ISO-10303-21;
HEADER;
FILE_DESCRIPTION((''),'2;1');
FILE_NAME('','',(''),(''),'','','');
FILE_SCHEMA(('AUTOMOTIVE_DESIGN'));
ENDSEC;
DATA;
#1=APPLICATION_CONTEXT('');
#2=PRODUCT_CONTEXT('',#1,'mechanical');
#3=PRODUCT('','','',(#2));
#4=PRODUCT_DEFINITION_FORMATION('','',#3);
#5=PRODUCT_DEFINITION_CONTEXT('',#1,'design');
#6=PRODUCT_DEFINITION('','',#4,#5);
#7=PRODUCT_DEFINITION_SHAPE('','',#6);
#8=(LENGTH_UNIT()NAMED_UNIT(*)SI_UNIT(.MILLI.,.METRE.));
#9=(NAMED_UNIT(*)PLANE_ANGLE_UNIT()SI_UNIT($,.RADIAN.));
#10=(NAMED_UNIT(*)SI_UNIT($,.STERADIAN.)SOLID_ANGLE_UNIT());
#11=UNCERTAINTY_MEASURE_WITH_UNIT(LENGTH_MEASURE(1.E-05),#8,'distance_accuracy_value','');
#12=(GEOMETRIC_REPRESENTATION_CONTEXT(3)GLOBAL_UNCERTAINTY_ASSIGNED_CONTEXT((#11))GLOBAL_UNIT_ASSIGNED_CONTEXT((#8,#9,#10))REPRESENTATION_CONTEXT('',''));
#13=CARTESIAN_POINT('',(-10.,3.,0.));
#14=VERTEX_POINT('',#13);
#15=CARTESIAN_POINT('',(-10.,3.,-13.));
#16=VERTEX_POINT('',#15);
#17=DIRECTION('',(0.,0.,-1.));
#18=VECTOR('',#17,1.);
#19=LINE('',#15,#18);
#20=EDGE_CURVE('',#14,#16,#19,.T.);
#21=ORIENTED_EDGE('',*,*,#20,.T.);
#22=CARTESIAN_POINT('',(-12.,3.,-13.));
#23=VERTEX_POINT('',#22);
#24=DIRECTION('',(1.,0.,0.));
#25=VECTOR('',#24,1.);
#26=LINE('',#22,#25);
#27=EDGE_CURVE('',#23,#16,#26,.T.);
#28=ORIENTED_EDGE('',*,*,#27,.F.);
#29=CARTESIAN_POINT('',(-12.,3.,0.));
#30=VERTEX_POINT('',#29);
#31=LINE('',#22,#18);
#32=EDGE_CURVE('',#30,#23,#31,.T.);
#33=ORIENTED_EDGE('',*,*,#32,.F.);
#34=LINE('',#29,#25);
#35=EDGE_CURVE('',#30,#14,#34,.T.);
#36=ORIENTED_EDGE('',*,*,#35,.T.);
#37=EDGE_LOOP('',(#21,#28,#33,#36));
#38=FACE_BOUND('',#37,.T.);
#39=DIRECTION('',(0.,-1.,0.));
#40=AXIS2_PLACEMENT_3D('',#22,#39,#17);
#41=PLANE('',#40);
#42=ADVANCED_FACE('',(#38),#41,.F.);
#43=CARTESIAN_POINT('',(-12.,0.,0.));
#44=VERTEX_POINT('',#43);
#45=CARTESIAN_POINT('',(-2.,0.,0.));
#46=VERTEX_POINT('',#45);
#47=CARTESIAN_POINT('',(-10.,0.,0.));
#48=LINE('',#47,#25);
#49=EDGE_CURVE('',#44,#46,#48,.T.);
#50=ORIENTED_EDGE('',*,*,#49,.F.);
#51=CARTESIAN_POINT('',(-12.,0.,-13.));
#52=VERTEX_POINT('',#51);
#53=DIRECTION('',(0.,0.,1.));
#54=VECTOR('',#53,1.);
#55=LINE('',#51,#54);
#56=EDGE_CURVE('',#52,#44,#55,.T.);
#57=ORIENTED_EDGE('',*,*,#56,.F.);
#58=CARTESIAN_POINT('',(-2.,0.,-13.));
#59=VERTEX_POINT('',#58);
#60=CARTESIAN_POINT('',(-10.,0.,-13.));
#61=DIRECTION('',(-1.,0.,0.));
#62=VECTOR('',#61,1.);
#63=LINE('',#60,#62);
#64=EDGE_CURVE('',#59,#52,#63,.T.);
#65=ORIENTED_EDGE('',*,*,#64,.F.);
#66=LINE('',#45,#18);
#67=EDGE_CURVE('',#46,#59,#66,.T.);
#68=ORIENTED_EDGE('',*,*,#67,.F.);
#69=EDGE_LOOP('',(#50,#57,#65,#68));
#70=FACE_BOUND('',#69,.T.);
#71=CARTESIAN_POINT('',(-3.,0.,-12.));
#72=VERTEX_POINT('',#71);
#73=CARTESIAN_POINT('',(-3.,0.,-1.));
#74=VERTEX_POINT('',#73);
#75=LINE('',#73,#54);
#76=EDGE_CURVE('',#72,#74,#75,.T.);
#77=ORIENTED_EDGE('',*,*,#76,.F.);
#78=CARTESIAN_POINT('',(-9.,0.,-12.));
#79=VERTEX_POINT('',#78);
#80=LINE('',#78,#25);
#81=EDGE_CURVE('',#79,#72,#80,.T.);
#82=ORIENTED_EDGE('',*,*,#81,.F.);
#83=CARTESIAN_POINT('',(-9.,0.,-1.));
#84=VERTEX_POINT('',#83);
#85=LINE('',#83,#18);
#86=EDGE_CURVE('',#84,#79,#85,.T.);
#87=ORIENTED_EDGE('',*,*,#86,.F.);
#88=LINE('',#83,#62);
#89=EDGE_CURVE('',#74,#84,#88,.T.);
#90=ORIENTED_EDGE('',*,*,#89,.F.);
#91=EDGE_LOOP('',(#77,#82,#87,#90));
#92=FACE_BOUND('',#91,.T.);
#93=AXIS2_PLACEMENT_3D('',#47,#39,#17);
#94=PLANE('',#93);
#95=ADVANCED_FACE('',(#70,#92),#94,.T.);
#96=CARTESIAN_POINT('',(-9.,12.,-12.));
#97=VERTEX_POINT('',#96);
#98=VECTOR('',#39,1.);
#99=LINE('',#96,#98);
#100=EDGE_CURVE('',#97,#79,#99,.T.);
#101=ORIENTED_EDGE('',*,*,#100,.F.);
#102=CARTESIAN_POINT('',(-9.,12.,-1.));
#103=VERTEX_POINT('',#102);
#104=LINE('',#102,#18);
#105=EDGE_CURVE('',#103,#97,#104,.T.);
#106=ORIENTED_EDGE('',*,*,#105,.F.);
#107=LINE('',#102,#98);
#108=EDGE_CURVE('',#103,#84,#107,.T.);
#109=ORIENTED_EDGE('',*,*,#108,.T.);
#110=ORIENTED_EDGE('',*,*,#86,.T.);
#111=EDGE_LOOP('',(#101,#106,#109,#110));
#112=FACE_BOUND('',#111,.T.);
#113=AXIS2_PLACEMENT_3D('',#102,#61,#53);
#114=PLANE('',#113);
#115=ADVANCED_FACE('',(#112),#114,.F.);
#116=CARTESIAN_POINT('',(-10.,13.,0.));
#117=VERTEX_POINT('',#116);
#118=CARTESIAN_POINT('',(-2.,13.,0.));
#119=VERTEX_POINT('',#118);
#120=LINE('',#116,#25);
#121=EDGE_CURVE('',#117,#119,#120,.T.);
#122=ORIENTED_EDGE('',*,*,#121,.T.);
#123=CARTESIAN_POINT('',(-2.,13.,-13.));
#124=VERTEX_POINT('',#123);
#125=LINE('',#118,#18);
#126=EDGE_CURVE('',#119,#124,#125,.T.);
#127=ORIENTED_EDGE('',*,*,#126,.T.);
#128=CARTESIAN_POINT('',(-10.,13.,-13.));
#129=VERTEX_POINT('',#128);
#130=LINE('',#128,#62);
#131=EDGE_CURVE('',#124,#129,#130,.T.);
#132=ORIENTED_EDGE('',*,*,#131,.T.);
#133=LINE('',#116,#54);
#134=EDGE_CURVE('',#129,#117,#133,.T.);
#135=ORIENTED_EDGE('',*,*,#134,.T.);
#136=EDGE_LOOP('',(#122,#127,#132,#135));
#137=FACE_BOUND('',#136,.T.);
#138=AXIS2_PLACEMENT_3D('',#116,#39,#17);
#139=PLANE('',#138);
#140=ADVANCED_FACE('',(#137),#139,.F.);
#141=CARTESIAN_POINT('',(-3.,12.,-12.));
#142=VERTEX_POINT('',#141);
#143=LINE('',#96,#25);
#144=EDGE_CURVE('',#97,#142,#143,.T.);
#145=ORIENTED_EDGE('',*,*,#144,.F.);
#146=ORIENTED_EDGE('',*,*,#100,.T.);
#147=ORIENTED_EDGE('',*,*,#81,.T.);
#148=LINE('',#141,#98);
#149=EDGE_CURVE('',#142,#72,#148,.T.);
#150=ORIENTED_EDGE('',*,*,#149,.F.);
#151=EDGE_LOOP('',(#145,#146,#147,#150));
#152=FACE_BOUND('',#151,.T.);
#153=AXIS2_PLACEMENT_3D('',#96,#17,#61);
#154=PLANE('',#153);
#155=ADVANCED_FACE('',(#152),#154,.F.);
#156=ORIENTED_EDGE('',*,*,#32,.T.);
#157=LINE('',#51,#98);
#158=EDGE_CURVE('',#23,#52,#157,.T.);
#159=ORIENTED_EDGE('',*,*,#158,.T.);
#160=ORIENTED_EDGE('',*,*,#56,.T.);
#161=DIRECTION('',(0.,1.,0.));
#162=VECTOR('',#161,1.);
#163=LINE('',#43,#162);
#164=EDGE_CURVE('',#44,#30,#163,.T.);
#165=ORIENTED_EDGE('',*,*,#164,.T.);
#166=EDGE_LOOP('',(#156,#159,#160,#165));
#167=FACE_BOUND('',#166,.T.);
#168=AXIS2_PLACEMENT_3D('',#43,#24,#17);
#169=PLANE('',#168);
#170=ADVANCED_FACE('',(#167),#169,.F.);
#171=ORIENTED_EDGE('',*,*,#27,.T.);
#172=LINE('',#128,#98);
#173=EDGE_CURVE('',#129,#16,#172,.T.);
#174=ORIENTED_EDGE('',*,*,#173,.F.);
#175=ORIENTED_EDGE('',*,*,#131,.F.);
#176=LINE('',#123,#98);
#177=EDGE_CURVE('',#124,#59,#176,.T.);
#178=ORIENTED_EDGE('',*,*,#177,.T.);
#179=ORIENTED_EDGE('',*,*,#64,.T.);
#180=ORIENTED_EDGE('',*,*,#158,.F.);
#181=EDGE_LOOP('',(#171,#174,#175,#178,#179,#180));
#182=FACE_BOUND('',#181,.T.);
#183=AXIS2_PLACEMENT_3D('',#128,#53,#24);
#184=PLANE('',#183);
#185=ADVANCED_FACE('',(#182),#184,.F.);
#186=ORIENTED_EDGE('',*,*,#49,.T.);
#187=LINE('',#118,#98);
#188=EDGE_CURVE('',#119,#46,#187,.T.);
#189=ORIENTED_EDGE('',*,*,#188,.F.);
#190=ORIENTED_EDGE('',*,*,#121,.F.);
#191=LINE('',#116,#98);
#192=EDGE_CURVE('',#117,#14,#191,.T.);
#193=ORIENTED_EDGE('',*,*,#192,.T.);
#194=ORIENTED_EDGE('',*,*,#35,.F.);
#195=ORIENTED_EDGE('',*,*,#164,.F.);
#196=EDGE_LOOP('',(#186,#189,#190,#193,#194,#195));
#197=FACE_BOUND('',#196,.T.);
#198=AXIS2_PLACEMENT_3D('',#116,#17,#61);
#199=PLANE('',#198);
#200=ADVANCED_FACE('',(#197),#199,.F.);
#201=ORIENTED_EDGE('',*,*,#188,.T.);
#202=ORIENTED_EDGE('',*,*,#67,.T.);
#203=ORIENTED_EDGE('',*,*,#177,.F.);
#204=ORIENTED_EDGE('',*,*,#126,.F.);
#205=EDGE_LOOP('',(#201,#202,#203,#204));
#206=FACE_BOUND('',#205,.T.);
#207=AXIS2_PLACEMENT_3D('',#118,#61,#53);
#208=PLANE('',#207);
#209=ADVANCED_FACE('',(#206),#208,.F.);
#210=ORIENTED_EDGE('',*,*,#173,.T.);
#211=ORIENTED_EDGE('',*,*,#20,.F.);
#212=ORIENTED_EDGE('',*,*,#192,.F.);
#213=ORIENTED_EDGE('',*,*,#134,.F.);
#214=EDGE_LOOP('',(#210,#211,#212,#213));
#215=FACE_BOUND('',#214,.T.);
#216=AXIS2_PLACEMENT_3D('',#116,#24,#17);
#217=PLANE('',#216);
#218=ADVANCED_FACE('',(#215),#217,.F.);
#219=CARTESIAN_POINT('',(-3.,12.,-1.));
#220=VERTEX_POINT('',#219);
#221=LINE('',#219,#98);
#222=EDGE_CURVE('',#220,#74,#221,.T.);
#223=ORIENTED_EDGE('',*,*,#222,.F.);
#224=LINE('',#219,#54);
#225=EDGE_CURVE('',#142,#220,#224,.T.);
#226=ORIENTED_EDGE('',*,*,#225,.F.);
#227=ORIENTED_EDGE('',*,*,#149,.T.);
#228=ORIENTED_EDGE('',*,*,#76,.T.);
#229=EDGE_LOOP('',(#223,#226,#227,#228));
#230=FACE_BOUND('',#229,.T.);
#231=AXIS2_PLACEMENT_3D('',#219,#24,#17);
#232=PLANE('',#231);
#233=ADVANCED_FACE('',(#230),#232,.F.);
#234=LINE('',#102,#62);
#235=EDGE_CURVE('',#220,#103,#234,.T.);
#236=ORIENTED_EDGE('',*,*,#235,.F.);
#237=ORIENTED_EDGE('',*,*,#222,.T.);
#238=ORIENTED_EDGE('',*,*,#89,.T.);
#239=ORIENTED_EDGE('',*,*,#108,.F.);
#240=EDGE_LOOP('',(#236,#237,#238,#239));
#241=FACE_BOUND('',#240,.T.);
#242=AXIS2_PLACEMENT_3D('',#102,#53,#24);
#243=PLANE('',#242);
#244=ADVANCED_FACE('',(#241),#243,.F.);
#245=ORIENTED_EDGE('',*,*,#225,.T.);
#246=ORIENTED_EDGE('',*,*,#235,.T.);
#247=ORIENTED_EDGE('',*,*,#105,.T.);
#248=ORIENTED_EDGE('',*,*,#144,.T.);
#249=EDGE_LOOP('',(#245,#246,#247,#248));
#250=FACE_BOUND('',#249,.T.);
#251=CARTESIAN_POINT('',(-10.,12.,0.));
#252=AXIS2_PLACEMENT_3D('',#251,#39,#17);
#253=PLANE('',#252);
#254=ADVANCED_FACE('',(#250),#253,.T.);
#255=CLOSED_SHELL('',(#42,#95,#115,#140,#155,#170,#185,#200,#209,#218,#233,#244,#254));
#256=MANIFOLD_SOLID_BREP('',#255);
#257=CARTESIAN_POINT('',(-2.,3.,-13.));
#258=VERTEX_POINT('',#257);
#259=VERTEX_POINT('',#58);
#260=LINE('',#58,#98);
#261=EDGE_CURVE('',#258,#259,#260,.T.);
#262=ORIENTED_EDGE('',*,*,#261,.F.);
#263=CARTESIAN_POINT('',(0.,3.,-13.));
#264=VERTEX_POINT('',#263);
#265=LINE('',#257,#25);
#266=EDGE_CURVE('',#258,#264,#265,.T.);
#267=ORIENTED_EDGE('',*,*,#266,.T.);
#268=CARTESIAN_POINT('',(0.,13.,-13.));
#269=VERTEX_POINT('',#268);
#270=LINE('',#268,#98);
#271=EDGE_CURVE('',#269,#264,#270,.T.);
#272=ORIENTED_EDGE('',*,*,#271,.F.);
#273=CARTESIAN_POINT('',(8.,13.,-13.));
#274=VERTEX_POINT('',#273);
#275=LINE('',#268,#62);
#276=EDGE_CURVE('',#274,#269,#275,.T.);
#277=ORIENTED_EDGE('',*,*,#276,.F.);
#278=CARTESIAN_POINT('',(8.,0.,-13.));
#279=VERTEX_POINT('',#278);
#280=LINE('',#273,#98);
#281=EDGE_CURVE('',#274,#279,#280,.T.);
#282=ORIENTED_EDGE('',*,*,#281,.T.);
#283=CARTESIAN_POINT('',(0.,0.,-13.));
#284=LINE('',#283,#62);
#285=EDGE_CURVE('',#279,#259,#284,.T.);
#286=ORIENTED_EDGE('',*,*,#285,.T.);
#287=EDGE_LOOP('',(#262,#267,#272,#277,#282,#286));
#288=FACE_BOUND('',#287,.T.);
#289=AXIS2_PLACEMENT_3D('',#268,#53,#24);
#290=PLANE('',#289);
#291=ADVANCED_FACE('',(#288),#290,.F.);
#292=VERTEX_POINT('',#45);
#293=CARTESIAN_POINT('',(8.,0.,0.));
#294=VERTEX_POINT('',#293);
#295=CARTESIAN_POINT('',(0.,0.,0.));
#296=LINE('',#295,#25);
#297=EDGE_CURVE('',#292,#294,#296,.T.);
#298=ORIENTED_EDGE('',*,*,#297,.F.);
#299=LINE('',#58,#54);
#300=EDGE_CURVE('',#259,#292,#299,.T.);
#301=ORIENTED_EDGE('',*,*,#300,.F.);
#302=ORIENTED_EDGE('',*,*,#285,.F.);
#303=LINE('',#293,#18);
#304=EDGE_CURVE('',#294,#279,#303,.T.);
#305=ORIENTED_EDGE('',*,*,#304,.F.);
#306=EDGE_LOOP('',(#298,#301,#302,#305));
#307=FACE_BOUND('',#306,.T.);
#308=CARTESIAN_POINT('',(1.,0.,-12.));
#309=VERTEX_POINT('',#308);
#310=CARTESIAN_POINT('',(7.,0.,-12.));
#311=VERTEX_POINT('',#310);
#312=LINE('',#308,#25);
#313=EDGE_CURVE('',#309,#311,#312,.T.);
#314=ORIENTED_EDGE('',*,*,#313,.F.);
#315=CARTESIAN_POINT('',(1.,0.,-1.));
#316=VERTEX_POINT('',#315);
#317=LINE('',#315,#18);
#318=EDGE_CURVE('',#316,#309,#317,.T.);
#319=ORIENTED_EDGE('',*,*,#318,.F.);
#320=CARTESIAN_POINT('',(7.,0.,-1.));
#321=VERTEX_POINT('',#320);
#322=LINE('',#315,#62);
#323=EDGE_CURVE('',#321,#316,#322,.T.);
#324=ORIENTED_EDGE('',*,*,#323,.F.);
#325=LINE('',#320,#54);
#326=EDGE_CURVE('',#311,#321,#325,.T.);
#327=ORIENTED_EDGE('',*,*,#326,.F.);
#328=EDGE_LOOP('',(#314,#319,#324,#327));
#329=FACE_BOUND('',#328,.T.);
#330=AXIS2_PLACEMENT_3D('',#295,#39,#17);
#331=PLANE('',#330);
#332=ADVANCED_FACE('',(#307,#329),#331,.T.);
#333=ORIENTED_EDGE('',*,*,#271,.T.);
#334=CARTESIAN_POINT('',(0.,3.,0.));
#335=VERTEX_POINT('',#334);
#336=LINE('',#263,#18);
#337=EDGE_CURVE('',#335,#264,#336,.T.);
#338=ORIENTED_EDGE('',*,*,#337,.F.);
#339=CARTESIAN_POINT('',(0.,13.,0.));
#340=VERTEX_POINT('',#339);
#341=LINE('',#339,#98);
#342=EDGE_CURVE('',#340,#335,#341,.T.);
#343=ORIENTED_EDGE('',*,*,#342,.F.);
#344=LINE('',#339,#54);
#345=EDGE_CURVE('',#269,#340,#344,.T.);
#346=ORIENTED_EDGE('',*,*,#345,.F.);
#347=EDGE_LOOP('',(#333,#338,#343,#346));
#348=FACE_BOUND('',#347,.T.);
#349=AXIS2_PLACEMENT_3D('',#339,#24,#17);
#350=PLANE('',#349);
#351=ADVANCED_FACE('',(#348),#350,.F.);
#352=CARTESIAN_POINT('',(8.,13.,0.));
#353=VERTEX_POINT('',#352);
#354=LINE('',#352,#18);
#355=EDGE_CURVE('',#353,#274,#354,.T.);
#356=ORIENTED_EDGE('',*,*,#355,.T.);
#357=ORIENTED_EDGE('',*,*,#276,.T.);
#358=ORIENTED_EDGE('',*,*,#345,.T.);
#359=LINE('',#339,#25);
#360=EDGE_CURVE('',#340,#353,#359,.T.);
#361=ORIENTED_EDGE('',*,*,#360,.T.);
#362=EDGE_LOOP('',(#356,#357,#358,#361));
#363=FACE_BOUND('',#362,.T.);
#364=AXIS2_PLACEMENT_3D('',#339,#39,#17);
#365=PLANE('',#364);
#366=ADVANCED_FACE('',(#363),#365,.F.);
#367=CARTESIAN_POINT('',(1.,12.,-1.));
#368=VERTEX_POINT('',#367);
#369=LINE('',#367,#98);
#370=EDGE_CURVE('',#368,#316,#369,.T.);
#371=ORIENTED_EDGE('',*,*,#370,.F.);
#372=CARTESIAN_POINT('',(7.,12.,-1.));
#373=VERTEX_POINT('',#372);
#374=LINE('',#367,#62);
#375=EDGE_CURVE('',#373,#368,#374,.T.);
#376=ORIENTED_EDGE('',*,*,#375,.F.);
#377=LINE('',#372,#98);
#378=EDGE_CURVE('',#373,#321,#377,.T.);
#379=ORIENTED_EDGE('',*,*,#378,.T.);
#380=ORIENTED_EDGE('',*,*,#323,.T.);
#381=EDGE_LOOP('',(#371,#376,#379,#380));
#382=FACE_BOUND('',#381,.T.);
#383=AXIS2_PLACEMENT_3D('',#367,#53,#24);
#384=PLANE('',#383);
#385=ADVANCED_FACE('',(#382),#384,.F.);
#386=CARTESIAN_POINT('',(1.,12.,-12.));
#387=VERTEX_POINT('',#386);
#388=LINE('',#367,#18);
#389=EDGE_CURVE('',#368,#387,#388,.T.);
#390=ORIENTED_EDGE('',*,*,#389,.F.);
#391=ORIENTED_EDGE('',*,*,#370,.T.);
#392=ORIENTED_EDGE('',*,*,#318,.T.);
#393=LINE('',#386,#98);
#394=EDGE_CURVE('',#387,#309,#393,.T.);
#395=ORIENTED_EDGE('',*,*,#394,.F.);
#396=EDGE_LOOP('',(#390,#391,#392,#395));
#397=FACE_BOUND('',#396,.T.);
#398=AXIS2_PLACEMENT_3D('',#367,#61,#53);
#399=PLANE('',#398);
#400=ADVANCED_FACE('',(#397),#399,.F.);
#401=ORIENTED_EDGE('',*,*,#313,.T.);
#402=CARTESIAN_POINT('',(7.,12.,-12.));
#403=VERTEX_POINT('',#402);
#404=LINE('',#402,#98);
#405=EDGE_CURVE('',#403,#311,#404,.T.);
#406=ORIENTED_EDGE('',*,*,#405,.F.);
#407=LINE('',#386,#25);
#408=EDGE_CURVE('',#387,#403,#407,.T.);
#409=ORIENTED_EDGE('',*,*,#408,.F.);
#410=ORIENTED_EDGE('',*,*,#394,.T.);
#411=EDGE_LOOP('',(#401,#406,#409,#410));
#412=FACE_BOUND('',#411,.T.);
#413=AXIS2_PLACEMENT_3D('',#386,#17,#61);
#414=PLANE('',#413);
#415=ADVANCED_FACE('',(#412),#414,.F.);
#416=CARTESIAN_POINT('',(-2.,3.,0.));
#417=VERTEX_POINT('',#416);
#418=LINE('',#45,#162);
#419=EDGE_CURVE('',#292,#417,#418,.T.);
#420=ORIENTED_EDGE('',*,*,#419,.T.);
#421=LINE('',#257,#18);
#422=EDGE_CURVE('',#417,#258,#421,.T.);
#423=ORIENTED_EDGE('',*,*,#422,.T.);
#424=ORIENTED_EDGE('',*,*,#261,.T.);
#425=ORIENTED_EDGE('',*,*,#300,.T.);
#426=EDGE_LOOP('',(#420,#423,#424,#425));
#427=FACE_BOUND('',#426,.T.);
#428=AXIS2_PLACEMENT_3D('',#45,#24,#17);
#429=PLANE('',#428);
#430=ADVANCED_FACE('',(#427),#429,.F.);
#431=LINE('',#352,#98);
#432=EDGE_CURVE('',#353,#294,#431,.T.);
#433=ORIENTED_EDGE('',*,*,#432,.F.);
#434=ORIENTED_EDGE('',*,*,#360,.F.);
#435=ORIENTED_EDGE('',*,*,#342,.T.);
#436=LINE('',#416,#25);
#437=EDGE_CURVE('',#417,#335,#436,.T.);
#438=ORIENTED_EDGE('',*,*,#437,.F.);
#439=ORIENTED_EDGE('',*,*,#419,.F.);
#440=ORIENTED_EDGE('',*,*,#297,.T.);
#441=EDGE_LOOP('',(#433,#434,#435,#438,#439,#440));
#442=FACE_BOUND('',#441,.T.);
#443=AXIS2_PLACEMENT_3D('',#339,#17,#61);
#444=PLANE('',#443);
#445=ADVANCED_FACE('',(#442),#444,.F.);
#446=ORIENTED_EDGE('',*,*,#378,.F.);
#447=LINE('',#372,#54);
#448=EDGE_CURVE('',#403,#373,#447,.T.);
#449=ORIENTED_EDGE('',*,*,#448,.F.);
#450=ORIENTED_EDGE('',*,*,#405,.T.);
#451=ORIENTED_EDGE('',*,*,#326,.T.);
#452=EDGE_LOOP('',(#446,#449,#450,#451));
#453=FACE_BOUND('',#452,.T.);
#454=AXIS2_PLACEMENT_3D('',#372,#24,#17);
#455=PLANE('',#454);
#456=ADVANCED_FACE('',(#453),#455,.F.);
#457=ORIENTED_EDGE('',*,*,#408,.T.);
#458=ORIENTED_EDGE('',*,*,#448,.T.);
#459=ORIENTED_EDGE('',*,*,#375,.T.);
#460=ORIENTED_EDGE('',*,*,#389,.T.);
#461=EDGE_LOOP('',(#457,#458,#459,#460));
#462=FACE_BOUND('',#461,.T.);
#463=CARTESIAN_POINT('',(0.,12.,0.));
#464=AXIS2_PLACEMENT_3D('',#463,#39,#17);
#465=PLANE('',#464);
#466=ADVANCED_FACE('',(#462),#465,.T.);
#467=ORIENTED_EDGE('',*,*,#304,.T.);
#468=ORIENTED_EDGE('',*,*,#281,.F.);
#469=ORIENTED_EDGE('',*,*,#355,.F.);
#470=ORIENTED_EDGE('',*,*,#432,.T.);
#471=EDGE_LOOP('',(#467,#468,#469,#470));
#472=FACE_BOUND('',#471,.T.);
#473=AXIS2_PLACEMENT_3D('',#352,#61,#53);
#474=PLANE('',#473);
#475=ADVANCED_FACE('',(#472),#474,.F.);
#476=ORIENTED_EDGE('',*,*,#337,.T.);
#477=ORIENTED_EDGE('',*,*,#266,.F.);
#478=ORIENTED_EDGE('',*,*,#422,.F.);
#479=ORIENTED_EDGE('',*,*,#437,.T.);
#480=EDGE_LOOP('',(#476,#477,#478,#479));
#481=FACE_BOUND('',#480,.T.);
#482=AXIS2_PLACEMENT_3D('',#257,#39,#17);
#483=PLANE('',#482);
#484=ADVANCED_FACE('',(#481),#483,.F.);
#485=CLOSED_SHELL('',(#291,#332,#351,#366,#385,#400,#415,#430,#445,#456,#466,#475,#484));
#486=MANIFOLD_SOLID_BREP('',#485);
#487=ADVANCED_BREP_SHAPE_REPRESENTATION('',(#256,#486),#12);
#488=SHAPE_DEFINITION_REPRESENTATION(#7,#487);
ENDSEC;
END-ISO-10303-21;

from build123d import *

# Parameters (mm, degrees)
SKETCH1_W           = 8
SKETCH1_H           = 13
BOSS_EXTRUDE1_DEPTH = 13
SKETCH2_W           = 6
SKETCH2_H           = 11
CUT_EXTRUDE1_DEPTH  = 12
SKETCH3_W           = 13
SKETCH3_H           = 3
BOSS_EXTRUDE2_DEPTH = 2
LPATTERN1_COUNT     = 2
LPATTERN1_PITCH     = 10


with BuildPart() as part:
    # Sketch1 → Boss-Extrude1 (new body)
    with BuildSketch(Plane(origin=(0, 0, 0), x_dir=(1, 0, 0), z_dir=(0, 1, 0))):
        with Locations((4, 6.5)):
            Rectangle(SKETCH1_W, SKETCH1_H)
    extrude(amount=BOSS_EXTRUDE1_DEPTH)

    # Sketch2 → Cut-Extrude1 (cut)
    with BuildSketch(Plane.XZ):
        with Locations((4, -6.5)):
            Rectangle(SKETCH2_W, SKETCH2_H)
    extrude(amount=-CUT_EXTRUDE1_DEPTH, mode=Mode.SUBTRACT)

    # Sketch3 → Boss-Extrude2 (add)
    with BuildSketch(Plane.ZY):
        with Locations((-6.5, 1.5)):
            Rectangle(SKETCH3_W, SKETCH3_H)
    extrude(amount=BOSS_EXTRUDE2_DEPTH)


with BuildPart() as lpattern1_1:
    # LPattern1: pattern copy
    add(part.part.moved(Location(Vector(-1, 0, 0) * (1 * LPATTERN1_PITCH))))


solid = Compound([part.part, lpattern1_1.part])
